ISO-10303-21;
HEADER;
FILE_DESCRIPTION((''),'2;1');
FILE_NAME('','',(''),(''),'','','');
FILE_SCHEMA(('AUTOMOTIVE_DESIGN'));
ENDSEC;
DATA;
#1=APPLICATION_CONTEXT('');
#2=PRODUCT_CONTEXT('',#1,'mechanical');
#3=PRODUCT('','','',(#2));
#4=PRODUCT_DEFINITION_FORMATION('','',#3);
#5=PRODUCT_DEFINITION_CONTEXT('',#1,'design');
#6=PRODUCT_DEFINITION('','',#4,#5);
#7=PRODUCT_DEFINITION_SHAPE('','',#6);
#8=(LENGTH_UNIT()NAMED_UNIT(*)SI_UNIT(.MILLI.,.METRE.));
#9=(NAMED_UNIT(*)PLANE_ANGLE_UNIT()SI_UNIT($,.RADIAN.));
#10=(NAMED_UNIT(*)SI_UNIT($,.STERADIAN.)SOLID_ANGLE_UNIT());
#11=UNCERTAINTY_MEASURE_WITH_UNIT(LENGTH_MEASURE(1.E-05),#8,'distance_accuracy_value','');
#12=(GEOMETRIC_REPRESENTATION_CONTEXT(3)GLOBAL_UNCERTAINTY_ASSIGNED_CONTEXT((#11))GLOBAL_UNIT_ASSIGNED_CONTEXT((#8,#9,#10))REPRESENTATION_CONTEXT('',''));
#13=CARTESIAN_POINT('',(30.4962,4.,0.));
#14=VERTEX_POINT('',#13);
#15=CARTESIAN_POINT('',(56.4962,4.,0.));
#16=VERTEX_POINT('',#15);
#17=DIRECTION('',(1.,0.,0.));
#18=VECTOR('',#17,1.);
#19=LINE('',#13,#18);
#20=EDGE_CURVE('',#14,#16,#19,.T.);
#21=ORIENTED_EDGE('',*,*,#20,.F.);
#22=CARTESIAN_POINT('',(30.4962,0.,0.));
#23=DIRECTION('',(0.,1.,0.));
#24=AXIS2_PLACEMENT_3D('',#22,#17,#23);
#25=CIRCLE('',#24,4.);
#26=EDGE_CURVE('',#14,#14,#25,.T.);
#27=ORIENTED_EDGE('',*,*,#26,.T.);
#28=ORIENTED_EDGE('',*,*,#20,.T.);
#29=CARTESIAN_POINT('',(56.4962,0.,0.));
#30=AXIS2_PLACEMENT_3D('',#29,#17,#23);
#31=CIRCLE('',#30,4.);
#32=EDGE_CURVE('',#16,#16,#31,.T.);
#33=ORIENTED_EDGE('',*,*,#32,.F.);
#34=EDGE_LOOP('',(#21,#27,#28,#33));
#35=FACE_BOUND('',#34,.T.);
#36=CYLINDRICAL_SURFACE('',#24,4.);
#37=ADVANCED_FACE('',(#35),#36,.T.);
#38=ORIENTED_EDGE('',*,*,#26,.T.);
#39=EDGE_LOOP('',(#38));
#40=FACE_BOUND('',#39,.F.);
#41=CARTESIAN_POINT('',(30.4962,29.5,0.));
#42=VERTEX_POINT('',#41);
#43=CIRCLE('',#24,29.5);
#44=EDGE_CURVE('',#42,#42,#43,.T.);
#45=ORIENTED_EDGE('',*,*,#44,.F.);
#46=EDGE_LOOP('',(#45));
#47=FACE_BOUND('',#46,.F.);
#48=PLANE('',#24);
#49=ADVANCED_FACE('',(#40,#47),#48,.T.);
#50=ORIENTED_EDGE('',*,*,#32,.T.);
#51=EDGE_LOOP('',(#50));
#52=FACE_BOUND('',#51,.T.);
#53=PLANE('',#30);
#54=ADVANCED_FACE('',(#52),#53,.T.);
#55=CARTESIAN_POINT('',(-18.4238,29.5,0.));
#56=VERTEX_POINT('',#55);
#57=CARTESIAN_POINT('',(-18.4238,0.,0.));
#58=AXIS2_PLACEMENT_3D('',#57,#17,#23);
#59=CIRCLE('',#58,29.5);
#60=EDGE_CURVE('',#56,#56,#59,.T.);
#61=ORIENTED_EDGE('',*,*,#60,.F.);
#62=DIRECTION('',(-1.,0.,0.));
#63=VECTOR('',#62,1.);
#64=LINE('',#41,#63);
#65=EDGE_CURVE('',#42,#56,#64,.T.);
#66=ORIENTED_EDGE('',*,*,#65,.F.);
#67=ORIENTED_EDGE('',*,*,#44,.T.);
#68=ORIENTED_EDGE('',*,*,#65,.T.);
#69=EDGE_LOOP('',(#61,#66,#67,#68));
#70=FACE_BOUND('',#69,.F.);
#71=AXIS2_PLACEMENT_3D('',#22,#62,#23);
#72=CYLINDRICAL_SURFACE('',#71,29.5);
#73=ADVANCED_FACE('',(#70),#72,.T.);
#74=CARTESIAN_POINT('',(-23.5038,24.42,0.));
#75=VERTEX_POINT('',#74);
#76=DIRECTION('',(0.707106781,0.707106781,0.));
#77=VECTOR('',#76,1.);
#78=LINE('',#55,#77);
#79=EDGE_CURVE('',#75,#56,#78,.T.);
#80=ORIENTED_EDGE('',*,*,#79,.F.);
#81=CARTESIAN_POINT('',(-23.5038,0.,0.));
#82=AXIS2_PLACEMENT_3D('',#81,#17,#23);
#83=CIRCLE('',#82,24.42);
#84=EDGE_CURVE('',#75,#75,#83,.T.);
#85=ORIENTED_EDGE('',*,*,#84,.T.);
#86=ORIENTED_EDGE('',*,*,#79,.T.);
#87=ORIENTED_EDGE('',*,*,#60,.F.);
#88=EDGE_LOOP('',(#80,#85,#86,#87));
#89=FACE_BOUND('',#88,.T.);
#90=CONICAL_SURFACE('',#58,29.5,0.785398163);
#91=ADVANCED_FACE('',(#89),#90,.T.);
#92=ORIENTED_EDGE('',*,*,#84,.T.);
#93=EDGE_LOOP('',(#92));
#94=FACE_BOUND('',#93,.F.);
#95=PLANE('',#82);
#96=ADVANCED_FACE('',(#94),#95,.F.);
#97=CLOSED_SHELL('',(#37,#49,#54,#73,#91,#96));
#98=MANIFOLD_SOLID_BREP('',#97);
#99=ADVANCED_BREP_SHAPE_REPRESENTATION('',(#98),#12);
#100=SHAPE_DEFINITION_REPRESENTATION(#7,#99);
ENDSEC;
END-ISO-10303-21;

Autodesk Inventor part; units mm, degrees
ref_plane "YZ Plane" through (0, 0, 0) normal (1, 0, 0) x (0, 1, 0)
ref_plane "XZ Plane" through (0, 0, 0) normal (0, 1, 0) x (-1, 0, 0)
ref_plane "XY Plane" through (0, 0, 0) normal (0, 0, 1) x (1, 0, 0)
sketch "Sketch1" plane through (0, 0, 0) normal (0, 0, 1) x (1, 0, 0)
  line L0 (-39.5038, 0) -> (72.4962, 0) projected
  line L1 (-23.5038, 0) -> (30.4962, 0)
  line L2 (30.4962, 0) -> (30.4962, 29.5)
  line L3 (30.4962, 29.5) -> (-23.5038, 29.5)
  line L4 (-23.5038, 29.5) -> (-23.5038, 0)
  line L5 (30.4962, 4) -> (56.4962, 4)
  line L6 (56.4962, 4) -> (56.4962, 0)
  line L7 (56.4962, 0) -> (30.4962, 0)
  line L8 (30.4962, 0) -> (30.4962, 4)
  point P0 (0, 0)
  dimension "d0" = 29.5
  dimension "d1" = 54
  dimension "d2" = 4
  dimension "d3" = 26
revolve "Revolution1" add sketch "Sketch1" angle 360 about axis through (-23.5038, 0, 0) along (1, 0, 0)
chamfer "Chamfer1" distance 5.08 angle 45 1 edges at (-23.5038, -29.5, 0)
properties part number "6354motor"
